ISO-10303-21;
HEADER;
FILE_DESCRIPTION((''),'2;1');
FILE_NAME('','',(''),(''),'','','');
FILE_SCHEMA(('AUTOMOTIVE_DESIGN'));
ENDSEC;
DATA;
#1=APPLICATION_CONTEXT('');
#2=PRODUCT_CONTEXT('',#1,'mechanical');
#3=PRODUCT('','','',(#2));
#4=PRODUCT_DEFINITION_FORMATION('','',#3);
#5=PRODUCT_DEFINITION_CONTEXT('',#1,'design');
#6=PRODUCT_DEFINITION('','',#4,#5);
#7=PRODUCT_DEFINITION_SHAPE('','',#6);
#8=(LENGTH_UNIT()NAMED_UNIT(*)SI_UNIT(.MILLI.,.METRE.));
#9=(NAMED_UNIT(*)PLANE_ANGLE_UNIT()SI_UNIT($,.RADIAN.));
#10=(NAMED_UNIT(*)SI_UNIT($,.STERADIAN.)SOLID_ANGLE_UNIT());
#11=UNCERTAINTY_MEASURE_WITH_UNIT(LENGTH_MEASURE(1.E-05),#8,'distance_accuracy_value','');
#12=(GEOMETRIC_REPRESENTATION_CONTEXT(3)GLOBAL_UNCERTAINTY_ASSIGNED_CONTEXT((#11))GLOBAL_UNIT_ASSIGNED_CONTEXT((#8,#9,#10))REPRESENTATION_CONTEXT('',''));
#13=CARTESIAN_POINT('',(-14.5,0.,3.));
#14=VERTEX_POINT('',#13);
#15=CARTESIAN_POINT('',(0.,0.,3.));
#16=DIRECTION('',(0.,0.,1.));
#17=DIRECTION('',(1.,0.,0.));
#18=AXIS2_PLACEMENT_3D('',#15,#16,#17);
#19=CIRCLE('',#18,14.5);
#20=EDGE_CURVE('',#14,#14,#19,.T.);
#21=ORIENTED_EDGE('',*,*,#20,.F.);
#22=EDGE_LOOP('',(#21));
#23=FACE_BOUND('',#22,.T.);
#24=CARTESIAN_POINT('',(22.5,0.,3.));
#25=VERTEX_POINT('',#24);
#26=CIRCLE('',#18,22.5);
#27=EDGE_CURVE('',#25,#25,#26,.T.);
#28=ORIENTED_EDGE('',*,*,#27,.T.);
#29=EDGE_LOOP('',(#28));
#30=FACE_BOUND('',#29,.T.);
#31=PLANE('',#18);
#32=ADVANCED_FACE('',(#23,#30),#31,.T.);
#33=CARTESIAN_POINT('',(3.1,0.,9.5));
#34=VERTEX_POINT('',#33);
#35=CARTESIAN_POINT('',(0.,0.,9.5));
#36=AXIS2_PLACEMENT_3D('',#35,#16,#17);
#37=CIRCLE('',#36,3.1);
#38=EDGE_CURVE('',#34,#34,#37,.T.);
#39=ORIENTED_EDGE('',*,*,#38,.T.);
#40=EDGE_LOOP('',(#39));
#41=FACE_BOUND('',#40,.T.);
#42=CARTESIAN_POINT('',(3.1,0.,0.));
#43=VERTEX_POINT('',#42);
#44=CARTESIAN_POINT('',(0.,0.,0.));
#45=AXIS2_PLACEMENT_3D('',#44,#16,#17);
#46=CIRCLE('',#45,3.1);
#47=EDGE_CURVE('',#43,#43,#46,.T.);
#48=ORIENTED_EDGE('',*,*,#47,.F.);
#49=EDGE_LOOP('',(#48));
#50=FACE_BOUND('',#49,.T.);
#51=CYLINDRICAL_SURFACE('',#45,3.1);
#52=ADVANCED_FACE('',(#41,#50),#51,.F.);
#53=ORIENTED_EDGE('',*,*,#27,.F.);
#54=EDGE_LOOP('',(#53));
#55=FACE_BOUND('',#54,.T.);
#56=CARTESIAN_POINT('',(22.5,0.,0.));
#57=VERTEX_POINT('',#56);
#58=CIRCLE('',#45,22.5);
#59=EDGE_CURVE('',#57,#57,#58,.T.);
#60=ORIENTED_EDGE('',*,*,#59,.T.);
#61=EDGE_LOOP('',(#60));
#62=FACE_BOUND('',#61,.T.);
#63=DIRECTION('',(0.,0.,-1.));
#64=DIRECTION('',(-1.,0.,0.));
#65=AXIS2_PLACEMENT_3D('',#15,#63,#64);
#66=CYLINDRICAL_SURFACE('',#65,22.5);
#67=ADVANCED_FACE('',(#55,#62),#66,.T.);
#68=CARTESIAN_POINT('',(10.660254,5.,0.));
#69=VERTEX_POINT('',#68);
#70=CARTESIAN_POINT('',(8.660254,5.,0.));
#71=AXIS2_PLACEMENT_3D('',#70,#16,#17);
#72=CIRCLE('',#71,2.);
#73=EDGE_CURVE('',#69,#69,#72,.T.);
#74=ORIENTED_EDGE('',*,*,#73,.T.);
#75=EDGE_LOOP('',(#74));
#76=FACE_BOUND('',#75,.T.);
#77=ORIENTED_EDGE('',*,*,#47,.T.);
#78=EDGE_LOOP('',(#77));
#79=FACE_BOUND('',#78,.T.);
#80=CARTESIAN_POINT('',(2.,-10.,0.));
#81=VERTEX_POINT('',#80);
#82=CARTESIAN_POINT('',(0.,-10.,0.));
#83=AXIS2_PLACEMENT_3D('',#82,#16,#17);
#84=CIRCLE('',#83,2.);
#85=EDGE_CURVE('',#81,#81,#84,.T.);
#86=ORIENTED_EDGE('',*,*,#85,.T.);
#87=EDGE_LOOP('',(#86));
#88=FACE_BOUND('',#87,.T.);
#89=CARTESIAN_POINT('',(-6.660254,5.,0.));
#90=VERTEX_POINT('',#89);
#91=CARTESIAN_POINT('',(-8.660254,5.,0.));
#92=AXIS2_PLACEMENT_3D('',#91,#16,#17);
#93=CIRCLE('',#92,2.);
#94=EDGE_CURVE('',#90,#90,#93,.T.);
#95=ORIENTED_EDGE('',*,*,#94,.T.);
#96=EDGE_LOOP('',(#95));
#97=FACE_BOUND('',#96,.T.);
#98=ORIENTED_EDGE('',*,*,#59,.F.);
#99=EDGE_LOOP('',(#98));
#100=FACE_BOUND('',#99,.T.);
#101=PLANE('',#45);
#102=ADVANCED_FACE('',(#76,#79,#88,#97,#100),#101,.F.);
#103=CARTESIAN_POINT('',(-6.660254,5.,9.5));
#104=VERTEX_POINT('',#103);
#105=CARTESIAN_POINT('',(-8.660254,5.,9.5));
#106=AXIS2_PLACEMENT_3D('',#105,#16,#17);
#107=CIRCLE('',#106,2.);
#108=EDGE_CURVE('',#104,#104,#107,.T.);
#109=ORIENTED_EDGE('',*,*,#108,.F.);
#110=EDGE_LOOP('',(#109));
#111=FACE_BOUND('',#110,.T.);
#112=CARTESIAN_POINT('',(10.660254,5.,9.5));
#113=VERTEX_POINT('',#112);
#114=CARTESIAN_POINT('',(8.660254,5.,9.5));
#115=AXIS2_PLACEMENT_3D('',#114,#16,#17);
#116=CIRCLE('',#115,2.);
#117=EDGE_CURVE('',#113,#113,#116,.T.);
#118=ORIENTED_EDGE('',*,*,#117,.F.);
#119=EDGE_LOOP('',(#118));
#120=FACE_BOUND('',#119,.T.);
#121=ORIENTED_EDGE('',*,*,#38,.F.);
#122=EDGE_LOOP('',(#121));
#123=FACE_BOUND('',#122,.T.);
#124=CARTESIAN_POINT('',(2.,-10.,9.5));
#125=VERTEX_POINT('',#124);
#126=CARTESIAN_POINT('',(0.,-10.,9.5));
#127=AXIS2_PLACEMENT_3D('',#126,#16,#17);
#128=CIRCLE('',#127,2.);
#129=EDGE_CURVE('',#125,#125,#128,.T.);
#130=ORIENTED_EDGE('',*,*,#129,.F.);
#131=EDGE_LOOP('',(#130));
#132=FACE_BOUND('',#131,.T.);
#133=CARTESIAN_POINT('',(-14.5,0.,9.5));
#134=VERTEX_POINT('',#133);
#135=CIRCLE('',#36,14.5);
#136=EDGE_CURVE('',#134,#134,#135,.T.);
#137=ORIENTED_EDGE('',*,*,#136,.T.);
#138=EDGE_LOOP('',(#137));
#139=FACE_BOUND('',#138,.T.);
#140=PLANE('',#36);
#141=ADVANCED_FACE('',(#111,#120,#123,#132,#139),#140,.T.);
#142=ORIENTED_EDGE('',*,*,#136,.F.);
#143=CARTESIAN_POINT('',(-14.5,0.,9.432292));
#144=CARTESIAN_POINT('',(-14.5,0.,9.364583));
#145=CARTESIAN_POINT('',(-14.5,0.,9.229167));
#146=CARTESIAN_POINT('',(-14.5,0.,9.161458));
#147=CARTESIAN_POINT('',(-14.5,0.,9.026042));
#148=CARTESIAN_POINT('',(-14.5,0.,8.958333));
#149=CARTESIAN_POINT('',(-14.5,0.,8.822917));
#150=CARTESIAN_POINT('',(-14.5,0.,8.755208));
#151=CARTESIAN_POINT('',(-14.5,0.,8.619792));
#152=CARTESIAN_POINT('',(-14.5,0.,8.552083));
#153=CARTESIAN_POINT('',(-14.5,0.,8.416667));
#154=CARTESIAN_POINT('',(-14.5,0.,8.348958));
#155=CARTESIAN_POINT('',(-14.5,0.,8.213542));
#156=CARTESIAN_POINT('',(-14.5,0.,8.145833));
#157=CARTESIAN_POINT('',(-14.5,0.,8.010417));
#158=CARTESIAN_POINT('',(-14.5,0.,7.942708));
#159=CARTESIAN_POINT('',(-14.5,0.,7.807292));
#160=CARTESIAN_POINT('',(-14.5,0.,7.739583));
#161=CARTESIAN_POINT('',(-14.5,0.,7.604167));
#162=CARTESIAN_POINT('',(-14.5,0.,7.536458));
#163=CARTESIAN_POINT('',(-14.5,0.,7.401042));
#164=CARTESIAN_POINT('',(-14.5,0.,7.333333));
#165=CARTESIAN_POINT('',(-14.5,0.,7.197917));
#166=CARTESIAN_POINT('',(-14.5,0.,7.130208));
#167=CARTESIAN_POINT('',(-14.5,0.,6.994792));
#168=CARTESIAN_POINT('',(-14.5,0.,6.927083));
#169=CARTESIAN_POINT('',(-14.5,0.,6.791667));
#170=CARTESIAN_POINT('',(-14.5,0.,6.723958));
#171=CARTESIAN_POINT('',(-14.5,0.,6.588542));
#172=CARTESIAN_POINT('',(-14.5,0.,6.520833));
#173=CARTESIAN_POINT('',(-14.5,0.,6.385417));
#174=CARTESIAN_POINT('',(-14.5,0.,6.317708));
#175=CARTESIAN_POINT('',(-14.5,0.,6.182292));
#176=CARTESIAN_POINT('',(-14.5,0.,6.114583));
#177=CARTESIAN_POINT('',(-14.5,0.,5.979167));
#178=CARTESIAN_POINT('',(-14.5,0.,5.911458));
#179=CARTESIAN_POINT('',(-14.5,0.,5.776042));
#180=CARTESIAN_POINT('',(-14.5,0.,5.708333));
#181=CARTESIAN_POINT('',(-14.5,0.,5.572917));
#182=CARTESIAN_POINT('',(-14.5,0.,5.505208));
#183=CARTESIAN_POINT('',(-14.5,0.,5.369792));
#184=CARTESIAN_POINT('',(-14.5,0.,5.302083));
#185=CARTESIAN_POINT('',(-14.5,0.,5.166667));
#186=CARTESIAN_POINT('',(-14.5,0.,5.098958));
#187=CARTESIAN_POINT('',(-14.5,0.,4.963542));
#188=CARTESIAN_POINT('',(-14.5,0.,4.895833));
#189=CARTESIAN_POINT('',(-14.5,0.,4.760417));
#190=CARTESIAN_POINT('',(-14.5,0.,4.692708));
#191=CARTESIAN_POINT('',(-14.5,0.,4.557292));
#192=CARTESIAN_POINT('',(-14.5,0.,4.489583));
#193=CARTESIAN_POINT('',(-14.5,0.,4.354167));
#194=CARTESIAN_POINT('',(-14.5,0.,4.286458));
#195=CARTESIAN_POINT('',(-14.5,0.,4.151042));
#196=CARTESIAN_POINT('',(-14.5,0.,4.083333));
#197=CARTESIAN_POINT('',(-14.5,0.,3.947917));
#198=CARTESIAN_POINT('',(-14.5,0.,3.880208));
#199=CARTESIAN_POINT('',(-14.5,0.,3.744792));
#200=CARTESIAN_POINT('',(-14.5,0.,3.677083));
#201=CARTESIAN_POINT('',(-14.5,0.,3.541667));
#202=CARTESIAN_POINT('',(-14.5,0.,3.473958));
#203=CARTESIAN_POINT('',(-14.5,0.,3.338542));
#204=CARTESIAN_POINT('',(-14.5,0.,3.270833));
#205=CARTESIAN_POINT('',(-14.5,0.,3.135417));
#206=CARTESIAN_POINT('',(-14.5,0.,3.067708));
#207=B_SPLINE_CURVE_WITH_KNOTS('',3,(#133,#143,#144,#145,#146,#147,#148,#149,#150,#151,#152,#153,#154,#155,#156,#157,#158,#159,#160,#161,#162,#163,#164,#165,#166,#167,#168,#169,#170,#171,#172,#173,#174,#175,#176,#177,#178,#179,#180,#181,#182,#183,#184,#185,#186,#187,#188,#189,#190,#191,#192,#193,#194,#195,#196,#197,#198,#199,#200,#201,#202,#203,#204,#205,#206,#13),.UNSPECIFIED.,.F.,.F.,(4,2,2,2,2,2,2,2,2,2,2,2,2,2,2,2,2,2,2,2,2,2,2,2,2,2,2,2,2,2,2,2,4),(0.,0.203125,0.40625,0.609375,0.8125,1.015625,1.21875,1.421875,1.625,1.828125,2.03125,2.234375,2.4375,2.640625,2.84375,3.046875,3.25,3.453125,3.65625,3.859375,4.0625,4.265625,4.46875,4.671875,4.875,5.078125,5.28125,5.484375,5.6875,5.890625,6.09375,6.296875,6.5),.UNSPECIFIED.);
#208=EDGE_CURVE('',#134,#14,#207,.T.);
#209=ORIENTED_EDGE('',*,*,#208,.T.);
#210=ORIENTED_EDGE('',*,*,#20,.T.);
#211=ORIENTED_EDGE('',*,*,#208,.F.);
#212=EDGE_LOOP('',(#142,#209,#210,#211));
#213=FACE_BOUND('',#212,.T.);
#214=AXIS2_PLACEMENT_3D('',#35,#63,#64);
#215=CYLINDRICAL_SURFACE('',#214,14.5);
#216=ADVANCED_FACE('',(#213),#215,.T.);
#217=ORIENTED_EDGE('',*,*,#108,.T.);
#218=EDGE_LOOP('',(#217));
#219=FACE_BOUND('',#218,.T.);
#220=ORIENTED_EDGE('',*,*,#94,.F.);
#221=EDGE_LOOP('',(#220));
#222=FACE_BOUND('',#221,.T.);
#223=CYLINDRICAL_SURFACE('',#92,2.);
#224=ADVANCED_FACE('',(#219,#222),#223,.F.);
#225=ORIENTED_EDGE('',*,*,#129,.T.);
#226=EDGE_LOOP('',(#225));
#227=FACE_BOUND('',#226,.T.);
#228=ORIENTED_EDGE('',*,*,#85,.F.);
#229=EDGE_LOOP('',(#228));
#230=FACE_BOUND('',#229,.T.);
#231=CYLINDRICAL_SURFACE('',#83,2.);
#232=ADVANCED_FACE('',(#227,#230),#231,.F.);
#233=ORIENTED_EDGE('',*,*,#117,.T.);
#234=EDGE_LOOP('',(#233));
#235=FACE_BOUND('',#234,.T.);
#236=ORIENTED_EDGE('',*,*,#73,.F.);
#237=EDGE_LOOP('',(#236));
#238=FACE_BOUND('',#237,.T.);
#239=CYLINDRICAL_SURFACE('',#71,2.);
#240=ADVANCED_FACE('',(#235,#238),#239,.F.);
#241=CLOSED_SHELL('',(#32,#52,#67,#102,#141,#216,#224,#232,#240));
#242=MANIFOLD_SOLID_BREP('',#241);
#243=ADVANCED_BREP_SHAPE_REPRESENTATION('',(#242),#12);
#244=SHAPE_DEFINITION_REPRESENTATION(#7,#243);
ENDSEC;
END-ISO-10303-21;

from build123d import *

# Parameters (mm, degrees)
ESQUISSE1_R             = 22.5
BOSS_EXTRU_1_DEPTH      = 3
ESQUISSE2_R             = 14.5
BOSS_EXTRU_2_DEPTH      = 6.5
ESQUISSE3_R             = 2
ESQUISSE3_R_2           = 3.1
ENL_V_MAT_EXTRU_1_DEPTH = 34.207679835


with BuildPart() as part:
    # Esquisse1 → Boss.-Extru.1 (new body)
    with BuildSketch(Plane.XY):
        Circle(ESQUISSE1_R)
    extrude(amount=BOSS_EXTRU_1_DEPTH)

    # Esquisse2 → Boss.-Extru.2 (add)
    with BuildSketch(Plane.XY.offset(3)):
        with Locations(Location((0, 0, 0), (0, 0, 180))):
            Circle(ESQUISSE2_R)
    extrude(amount=BOSS_EXTRU_2_DEPTH)

    # Esquisse3 → Enlèv. mat.-Extru.1 (cut, through all)
    with BuildSketch(Plane.XY.offset(9.5)):
        with Locations((8.660254038, 5)):
            Circle(ESQUISSE3_R)
        with Locations((-8.660254038, 5)):
            Circle(ESQUISSE3_R)
        with Locations((0, -10)):
            Circle(ESQUISSE3_R)
        Circle(ESQUISSE3_R_2)
    extrude(amount=-ENL_V_MAT_EXTRU_1_DEPTH, mode=Mode.SUBTRACT)


solid = part.part
